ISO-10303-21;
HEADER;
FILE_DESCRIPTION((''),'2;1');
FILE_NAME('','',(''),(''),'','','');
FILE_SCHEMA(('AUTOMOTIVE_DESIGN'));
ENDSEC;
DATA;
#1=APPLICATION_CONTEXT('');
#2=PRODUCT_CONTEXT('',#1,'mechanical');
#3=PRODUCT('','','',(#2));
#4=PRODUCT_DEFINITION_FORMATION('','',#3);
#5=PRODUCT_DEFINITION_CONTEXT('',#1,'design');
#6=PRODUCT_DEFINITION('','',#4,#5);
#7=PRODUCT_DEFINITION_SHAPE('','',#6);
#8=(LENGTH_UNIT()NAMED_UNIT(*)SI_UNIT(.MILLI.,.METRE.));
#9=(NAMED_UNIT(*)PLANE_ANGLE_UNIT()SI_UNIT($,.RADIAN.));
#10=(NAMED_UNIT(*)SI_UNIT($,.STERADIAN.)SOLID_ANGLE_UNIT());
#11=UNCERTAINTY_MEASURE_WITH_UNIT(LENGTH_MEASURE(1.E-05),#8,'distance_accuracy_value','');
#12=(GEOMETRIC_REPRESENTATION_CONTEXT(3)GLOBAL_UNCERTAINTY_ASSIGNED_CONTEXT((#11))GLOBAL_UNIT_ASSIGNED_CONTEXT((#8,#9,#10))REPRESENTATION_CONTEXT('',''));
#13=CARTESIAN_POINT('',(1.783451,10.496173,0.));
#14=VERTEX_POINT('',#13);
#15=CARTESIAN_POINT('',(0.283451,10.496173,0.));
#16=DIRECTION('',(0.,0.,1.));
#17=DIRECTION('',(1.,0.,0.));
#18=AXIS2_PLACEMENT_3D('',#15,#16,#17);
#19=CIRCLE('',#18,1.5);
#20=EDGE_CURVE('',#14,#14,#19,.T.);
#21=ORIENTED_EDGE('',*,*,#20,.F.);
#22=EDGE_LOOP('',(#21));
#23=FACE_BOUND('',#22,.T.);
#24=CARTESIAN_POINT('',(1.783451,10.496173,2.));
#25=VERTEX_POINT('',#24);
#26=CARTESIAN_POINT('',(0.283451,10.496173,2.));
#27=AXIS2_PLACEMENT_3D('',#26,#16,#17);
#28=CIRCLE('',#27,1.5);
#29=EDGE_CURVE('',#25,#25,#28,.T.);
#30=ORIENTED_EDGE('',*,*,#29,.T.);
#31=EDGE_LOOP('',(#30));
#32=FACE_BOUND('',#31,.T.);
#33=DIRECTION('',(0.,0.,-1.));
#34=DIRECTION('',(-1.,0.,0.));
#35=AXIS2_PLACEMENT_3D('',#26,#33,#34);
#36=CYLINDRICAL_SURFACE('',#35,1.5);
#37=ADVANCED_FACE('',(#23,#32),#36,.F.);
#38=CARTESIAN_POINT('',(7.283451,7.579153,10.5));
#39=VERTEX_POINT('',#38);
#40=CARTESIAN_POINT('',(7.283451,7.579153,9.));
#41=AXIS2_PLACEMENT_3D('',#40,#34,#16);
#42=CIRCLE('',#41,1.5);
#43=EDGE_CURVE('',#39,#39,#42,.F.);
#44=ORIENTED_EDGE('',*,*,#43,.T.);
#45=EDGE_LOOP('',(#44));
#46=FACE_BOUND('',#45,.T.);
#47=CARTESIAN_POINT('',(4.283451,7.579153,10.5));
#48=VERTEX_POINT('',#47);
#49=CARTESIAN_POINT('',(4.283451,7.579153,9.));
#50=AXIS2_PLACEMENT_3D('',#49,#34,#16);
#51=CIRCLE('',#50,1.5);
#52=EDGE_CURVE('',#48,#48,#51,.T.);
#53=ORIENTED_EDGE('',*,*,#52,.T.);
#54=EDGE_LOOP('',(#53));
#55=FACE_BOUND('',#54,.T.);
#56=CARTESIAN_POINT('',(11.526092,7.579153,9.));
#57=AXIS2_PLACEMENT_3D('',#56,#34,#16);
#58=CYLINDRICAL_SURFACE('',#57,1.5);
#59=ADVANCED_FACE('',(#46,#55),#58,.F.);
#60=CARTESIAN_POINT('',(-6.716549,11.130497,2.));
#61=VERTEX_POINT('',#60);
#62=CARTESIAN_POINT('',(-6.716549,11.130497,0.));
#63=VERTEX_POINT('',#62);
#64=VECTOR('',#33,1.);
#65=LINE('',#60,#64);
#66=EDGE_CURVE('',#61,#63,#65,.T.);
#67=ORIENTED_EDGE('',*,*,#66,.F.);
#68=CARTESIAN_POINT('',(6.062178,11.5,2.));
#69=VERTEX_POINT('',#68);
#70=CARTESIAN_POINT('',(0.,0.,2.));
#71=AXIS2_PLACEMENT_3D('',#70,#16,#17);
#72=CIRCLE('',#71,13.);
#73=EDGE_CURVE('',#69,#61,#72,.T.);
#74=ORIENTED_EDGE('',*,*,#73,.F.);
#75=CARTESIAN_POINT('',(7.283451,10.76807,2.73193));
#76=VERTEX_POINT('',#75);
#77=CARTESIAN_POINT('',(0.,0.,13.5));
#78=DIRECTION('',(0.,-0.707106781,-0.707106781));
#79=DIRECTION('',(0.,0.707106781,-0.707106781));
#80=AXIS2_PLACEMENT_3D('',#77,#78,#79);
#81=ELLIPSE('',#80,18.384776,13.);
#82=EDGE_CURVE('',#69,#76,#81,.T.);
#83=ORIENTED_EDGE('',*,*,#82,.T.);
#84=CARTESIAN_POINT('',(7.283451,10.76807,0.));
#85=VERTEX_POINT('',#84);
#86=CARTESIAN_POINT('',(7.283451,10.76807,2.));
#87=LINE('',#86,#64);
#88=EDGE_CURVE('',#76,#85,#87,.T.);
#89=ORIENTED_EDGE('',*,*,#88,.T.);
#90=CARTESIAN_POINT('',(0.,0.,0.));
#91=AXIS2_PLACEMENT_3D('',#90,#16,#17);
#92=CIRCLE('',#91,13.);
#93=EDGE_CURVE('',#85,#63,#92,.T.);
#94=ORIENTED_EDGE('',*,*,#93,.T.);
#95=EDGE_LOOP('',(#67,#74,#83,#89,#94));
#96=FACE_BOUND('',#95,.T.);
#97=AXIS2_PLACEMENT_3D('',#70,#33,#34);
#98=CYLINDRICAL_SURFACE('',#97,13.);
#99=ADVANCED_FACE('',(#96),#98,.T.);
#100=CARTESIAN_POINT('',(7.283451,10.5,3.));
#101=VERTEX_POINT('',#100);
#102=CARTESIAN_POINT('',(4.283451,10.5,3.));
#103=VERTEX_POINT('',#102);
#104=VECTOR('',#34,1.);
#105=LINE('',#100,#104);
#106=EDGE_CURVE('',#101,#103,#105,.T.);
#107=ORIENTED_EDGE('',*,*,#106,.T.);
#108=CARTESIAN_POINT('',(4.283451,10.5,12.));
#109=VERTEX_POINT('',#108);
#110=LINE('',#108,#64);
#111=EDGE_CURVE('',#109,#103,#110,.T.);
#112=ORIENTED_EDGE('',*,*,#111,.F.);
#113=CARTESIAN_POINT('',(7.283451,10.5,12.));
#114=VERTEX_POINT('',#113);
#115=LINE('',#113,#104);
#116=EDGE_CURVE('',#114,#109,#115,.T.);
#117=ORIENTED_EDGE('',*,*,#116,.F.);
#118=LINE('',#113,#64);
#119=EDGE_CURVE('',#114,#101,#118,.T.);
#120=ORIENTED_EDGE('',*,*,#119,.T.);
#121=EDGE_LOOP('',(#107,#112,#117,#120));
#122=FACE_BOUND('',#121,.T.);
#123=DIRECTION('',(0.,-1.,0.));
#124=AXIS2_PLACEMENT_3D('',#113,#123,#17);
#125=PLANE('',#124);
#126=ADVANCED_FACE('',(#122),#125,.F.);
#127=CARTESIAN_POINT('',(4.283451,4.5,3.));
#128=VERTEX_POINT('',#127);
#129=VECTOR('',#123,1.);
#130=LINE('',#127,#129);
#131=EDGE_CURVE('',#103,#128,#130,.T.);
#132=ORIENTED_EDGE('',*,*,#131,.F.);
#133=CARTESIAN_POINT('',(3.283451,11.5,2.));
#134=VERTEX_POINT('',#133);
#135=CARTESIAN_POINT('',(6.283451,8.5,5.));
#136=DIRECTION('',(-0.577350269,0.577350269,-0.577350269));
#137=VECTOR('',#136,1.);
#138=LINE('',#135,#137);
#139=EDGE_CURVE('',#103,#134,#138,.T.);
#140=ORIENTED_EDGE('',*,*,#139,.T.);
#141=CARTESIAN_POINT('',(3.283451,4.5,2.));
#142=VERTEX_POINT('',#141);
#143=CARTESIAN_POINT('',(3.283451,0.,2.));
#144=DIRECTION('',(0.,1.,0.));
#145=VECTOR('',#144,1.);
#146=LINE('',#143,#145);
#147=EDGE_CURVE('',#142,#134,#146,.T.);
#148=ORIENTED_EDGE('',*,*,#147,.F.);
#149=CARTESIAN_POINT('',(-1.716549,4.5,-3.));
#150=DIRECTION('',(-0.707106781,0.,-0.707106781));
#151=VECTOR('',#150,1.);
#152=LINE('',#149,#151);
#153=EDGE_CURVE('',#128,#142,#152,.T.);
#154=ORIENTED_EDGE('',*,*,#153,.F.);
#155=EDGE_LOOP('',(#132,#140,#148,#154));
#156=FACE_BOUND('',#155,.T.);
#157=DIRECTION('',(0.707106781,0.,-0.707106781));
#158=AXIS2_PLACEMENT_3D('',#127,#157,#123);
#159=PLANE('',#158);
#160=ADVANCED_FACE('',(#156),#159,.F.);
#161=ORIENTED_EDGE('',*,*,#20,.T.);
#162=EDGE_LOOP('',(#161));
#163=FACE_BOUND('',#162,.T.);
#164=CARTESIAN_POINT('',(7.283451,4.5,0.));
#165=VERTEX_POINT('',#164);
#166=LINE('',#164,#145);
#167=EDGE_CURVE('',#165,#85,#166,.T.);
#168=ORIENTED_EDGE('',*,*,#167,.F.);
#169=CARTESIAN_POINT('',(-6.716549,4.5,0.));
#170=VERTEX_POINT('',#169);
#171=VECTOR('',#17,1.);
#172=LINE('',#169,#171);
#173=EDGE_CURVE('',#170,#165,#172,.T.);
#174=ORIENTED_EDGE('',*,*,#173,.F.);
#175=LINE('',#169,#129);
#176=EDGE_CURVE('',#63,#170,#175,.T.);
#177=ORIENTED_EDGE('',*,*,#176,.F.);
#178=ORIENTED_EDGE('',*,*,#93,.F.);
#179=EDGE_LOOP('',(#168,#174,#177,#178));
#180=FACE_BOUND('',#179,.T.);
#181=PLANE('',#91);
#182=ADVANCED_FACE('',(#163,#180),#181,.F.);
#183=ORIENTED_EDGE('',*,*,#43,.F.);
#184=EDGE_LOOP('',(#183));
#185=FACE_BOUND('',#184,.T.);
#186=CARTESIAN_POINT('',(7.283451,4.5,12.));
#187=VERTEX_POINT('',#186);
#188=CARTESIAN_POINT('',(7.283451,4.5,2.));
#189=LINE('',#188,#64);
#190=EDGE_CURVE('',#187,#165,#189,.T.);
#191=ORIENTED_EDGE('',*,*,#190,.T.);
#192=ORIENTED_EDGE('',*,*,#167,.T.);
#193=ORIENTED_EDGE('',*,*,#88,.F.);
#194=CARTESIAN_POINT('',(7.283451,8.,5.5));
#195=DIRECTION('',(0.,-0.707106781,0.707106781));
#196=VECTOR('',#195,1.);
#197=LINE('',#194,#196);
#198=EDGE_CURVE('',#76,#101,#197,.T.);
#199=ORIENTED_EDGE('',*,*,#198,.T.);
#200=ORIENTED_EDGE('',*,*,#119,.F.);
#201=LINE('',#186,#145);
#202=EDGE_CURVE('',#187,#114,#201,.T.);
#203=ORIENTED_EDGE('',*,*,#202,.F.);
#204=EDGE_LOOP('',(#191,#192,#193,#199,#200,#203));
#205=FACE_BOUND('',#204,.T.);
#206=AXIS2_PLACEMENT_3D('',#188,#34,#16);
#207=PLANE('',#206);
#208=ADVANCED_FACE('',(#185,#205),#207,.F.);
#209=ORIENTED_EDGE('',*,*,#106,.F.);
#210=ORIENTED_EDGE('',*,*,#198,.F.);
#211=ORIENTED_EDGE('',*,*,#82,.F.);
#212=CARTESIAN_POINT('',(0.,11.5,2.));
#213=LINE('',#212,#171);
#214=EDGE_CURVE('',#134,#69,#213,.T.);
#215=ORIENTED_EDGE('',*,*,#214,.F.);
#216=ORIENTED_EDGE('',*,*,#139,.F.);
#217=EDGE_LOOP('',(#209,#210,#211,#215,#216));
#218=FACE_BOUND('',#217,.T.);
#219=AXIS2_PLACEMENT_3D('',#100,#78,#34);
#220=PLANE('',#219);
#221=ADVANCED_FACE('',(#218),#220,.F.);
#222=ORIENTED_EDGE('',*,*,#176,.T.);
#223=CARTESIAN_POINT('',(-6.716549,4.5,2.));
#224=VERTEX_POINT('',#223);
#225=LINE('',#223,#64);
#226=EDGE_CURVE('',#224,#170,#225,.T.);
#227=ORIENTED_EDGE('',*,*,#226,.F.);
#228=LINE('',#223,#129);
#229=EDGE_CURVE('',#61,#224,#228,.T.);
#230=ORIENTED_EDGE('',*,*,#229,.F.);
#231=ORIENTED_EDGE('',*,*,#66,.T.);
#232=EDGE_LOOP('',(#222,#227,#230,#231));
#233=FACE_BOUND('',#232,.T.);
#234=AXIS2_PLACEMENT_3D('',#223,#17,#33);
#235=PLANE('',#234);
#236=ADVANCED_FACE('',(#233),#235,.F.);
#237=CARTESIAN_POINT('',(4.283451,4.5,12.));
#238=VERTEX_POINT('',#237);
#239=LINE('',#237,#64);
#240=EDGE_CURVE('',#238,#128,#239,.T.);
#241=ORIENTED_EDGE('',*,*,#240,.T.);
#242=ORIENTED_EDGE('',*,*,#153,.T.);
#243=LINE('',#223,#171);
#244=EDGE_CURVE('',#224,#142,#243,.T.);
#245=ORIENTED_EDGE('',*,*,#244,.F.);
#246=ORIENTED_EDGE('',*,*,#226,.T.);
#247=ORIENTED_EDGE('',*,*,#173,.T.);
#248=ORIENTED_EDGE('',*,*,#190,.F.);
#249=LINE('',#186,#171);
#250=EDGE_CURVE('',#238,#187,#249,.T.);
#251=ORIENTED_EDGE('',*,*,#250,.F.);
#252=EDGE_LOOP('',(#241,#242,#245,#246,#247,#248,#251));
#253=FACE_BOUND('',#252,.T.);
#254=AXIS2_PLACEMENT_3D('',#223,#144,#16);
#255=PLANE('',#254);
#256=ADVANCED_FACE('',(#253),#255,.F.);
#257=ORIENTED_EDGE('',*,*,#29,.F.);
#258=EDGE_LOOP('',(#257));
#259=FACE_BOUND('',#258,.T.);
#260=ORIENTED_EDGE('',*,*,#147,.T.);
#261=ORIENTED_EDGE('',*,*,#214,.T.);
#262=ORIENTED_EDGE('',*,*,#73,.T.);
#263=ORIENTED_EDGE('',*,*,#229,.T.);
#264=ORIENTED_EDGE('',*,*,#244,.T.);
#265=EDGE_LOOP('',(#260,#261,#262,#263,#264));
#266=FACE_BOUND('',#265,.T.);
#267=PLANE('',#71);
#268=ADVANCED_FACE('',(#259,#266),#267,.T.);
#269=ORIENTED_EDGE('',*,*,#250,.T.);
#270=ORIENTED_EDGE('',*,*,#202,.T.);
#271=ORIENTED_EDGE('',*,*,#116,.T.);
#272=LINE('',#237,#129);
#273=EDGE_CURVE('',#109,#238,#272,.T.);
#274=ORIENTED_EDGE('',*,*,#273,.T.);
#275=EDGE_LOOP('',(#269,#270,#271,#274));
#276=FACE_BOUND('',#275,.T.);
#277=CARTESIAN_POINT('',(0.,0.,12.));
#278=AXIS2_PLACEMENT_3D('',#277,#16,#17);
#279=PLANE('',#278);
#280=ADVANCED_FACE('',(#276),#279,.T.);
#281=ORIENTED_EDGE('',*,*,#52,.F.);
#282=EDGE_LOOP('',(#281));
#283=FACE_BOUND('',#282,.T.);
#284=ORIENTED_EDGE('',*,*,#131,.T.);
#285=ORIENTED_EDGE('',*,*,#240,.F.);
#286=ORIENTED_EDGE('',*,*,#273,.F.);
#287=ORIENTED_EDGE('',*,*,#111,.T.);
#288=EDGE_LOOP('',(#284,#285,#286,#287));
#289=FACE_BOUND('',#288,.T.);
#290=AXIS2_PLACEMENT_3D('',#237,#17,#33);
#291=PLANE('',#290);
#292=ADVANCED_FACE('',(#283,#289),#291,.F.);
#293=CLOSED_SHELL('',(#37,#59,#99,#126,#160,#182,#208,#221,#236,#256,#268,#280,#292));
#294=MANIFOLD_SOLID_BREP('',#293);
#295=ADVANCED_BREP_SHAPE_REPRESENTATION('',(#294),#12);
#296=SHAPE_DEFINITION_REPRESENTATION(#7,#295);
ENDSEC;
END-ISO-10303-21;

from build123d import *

# Parameters (mm, degrees)
SZKIC1_R                    = 1.5
DODANIE_WYCI_GNI_CIE1_DEPTH = 2
SZKIC2_W                    = 3
SZKIC2_H                    = 6
DODANIE_WYCI_GNI_CIE2_DEPTH = 10
SZKIC3_R                    = 1.5
WYTNIJ_WYCI_GNI_CIE1_DEPTH  = 3
SFAZOWANIE1_SIZE            = 1
SFAZOWANIE2_SIZE            = 1


with BuildPart() as part:
    # Szkic1 → Dodanie-wyciągnięcie1 (new body)
    with BuildSketch(Plane.XY):
        with BuildLine():
            Line((-6.716548808, 4.5), (7.283451192, 4.5))
            Line((7.283451192, 4.5), (7.283451192, 10.768070335))
            ThreePointArc((7.283451192, 10.768070335), (0.336426694, 12.995646082), (-6.716548808, 11.130497388))
            Line((-6.716548808, 11.130497388), (-6.716548808, 4.5))
        make_face()
        with Locations((0.283451192, 10.49617337)):
            Circle(SZKIC1_R, mode=Mode.SUBTRACT)
    extrude(amount=DODANIE_WYCI_GNI_CIE1_DEPTH)

    # Szkic2 → Dodanie-wyciągnięcie2 (add)
    with BuildSketch(Plane.XY.offset(2)):
        with Locations((5.783451192, 7.5)):
            Rectangle(SZKIC2_W, SZKIC2_H)
    extrude(amount=DODANIE_WYCI_GNI_CIE2_DEPTH)

    # Szkic3 → Wytnij-wyciągnięcie1 (cut)
    with BuildSketch(Plane.ZY.offset(-4.283451192)):
        with Locations((9, 7.579153313)):
            Circle(SZKIC3_R)
    extrude(amount=-WYTNIJ_WYCI_GNI_CIE1_DEPTH, mode=Mode.SUBTRACT)

    # Sfazowanie1
    sfazowanie1_edges = [part.edges().sort_by_distance(p)[0] for p in [
        (4.283451192, 7.5, 2),
    ]]
    chamfer(sfazowanie1_edges, length=SFAZOWANIE1_SIZE)

    # Sfazowanie2
    sfazowanie2_edges = [part.edges().sort_by_distance(p)[0] for p in [
        (5.283451192, 10.5, 2),
    ]]
    chamfer(sfazowanie2_edges, length=SFAZOWANIE2_SIZE)


solid = part.part
